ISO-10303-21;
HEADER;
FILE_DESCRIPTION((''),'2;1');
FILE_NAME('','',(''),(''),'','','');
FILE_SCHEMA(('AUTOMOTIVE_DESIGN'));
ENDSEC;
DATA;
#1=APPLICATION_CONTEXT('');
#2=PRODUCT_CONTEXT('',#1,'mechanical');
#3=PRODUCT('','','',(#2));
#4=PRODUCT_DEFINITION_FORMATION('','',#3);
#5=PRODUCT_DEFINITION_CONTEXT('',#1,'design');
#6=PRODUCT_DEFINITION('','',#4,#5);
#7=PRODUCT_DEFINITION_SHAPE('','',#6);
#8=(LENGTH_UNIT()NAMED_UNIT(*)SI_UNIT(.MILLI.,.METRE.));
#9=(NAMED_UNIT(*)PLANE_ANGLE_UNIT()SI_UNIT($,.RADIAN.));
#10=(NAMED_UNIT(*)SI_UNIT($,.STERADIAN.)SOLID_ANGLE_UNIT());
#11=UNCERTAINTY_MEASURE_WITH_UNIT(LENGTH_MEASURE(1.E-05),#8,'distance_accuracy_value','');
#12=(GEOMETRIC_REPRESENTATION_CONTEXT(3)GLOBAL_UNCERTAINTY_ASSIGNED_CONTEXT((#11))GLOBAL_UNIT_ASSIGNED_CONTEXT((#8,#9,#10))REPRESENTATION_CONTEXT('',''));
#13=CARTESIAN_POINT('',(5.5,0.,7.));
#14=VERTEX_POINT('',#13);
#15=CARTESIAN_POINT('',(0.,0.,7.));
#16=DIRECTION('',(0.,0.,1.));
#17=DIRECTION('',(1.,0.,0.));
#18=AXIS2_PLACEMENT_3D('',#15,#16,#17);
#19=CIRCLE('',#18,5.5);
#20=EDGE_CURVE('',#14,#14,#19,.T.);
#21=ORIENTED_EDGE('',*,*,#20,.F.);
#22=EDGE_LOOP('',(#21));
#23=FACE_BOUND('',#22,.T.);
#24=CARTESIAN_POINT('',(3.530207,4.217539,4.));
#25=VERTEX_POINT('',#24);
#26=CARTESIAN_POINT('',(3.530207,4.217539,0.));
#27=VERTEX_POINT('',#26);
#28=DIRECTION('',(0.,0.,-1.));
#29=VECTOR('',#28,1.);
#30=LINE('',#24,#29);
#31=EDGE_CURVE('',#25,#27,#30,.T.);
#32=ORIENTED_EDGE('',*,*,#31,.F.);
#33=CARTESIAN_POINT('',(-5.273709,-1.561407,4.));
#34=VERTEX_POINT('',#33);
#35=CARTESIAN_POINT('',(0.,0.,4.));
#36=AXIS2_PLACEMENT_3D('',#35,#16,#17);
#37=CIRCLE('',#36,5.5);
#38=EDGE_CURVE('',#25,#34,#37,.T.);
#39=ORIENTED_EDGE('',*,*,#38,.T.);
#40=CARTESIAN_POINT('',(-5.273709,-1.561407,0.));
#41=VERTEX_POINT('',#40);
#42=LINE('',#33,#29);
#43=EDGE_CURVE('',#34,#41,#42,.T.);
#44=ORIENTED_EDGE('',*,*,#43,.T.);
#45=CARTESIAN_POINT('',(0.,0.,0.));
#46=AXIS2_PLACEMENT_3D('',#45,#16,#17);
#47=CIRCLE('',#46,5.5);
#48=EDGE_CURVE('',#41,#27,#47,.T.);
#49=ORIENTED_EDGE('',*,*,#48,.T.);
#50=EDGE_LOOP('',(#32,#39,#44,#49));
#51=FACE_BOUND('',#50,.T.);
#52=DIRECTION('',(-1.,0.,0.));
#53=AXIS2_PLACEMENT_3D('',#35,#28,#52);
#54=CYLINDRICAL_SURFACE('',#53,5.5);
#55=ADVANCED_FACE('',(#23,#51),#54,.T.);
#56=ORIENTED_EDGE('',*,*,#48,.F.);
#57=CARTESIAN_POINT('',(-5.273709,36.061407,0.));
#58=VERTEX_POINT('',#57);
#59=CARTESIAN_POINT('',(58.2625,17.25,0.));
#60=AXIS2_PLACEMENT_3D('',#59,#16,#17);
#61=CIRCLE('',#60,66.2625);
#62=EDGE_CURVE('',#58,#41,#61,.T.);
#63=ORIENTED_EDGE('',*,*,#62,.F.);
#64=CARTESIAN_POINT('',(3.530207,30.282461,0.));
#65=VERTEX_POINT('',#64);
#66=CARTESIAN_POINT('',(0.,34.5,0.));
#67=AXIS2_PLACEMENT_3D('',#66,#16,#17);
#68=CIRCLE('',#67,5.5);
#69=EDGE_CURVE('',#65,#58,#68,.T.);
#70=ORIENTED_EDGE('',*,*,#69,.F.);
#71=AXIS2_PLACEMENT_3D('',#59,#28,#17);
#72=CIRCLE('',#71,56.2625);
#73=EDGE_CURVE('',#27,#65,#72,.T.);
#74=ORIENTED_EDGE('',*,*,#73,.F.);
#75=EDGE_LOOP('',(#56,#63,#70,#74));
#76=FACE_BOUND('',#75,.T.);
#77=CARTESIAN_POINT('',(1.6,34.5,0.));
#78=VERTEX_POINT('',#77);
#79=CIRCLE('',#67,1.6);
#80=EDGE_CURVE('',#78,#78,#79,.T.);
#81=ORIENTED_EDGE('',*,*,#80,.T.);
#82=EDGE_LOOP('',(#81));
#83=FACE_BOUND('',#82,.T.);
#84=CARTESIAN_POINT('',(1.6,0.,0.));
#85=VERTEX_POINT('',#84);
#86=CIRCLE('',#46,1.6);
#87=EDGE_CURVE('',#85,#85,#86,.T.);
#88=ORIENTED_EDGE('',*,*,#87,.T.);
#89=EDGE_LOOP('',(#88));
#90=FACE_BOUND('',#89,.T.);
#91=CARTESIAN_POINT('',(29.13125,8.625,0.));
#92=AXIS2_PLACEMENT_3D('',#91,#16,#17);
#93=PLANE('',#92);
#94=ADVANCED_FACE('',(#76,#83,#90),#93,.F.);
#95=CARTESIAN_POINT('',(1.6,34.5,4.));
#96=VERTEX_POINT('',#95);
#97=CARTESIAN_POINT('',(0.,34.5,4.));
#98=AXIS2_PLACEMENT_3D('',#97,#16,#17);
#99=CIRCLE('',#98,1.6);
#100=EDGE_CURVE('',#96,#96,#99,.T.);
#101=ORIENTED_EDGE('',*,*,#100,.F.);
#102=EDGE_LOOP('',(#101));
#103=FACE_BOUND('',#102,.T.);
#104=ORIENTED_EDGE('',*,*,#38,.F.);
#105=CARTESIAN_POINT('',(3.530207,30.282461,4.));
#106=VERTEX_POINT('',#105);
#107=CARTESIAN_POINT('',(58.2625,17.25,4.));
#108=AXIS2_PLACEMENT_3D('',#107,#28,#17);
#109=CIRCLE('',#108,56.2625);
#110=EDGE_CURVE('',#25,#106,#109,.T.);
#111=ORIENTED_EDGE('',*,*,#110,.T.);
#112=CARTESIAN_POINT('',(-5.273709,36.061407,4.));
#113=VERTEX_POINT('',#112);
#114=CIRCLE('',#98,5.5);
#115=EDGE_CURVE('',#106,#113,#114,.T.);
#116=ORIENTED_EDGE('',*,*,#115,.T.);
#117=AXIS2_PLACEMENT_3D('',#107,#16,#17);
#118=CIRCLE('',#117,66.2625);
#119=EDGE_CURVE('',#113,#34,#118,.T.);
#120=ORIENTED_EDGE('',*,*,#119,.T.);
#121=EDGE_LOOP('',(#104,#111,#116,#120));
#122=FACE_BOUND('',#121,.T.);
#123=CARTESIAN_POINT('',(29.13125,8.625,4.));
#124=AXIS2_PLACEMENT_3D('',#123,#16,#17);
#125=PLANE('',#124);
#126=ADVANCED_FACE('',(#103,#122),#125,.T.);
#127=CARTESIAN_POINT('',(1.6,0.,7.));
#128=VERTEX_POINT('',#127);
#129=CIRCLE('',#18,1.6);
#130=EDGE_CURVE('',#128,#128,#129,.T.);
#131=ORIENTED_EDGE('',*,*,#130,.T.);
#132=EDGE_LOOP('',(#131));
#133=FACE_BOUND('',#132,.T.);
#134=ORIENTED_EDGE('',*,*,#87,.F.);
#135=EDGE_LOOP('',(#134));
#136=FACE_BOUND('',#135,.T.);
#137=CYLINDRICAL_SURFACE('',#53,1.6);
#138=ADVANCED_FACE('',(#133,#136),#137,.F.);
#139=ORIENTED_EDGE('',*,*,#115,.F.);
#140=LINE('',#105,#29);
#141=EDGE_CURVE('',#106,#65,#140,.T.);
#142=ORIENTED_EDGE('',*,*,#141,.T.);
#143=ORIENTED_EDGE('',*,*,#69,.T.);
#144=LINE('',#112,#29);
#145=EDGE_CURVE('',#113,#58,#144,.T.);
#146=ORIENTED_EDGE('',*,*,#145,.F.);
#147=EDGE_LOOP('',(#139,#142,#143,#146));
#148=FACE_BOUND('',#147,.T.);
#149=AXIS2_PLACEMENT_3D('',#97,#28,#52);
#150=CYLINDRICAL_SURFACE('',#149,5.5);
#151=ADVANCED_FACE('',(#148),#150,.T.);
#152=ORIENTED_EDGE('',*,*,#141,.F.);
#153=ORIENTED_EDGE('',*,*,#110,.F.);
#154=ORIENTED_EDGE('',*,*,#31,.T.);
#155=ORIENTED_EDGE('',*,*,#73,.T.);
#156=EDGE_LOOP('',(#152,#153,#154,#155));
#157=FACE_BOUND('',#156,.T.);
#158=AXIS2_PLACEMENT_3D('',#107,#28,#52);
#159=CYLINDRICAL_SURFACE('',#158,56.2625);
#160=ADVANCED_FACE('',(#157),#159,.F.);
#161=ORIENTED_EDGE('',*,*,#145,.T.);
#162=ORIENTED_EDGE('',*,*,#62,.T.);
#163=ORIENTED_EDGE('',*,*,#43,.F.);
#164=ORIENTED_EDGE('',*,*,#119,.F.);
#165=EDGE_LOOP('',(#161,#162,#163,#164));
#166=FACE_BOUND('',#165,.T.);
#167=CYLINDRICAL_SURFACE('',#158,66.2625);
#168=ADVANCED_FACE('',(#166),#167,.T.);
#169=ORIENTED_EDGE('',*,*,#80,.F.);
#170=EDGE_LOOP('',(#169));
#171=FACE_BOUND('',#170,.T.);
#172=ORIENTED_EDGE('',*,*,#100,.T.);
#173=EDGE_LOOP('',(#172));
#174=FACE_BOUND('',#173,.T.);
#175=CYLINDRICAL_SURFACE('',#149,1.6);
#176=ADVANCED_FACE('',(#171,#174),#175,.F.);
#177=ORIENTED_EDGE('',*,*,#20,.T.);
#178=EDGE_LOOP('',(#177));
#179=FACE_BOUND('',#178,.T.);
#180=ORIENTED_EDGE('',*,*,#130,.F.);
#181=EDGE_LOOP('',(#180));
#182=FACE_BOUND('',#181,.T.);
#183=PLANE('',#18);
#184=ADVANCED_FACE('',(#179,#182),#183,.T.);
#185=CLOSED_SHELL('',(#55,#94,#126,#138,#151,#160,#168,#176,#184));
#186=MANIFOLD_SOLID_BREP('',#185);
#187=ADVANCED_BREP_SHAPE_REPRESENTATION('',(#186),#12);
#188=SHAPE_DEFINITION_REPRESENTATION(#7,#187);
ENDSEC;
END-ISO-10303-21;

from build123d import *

# Parameters (mm, degrees)
IZIM1_R                     = 1.6
Y_KSEKLIK_EKSTR_ZYON1_DEPTH = 4
IZIM2_R                     = 5.5
IZIM2_R_2                   = 1.6
Y_KSEKLIK_EKSTR_ZYON2_DEPTH = 3


with BuildPart() as part:
    # Çizim1 → Yükseklik-Ekstrüzyon1 (new body)
    with BuildSketch(Plane.XY):
        with BuildLine():
            ThreePointArc((-5.273709113, -1.561407118), (3.018112795, -4.597933792), (3.530207231, 4.2175392))
            ThreePointArc((3.530207231, 4.2175392), (2, 17.25), (3.530207231, 30.2824608))
            ThreePointArc((3.530207231, 30.2824608), (3.018112795, 39.097933792), (-5.273709113, 36.061407118))
            ThreePointArc((-5.273709113, 36.061407118), (-8, 17.25), (-5.273709113, -1.561407118))
        make_face()
        with Locations((0, 34.5)):
            Circle(IZIM1_R, mode=Mode.SUBTRACT)
        Circle(IZIM1_R, mode=Mode.SUBTRACT)
    extrude(amount=Y_KSEKLIK_EKSTR_ZYON1_DEPTH)

    # Çizim2 → Yükseklik-Ekstrüzyon2 (add)
    with BuildSketch(Plane.XY.offset(4)):
        with Locations(Location((0, 0, 0), (0, 0, 196.492641629))):
            Circle(IZIM2_R)
        Circle(IZIM2_R_2, mode=Mode.SUBTRACT)
    extrude(amount=Y_KSEKLIK_EKSTR_ZYON2_DEPTH)


solid = part.part
